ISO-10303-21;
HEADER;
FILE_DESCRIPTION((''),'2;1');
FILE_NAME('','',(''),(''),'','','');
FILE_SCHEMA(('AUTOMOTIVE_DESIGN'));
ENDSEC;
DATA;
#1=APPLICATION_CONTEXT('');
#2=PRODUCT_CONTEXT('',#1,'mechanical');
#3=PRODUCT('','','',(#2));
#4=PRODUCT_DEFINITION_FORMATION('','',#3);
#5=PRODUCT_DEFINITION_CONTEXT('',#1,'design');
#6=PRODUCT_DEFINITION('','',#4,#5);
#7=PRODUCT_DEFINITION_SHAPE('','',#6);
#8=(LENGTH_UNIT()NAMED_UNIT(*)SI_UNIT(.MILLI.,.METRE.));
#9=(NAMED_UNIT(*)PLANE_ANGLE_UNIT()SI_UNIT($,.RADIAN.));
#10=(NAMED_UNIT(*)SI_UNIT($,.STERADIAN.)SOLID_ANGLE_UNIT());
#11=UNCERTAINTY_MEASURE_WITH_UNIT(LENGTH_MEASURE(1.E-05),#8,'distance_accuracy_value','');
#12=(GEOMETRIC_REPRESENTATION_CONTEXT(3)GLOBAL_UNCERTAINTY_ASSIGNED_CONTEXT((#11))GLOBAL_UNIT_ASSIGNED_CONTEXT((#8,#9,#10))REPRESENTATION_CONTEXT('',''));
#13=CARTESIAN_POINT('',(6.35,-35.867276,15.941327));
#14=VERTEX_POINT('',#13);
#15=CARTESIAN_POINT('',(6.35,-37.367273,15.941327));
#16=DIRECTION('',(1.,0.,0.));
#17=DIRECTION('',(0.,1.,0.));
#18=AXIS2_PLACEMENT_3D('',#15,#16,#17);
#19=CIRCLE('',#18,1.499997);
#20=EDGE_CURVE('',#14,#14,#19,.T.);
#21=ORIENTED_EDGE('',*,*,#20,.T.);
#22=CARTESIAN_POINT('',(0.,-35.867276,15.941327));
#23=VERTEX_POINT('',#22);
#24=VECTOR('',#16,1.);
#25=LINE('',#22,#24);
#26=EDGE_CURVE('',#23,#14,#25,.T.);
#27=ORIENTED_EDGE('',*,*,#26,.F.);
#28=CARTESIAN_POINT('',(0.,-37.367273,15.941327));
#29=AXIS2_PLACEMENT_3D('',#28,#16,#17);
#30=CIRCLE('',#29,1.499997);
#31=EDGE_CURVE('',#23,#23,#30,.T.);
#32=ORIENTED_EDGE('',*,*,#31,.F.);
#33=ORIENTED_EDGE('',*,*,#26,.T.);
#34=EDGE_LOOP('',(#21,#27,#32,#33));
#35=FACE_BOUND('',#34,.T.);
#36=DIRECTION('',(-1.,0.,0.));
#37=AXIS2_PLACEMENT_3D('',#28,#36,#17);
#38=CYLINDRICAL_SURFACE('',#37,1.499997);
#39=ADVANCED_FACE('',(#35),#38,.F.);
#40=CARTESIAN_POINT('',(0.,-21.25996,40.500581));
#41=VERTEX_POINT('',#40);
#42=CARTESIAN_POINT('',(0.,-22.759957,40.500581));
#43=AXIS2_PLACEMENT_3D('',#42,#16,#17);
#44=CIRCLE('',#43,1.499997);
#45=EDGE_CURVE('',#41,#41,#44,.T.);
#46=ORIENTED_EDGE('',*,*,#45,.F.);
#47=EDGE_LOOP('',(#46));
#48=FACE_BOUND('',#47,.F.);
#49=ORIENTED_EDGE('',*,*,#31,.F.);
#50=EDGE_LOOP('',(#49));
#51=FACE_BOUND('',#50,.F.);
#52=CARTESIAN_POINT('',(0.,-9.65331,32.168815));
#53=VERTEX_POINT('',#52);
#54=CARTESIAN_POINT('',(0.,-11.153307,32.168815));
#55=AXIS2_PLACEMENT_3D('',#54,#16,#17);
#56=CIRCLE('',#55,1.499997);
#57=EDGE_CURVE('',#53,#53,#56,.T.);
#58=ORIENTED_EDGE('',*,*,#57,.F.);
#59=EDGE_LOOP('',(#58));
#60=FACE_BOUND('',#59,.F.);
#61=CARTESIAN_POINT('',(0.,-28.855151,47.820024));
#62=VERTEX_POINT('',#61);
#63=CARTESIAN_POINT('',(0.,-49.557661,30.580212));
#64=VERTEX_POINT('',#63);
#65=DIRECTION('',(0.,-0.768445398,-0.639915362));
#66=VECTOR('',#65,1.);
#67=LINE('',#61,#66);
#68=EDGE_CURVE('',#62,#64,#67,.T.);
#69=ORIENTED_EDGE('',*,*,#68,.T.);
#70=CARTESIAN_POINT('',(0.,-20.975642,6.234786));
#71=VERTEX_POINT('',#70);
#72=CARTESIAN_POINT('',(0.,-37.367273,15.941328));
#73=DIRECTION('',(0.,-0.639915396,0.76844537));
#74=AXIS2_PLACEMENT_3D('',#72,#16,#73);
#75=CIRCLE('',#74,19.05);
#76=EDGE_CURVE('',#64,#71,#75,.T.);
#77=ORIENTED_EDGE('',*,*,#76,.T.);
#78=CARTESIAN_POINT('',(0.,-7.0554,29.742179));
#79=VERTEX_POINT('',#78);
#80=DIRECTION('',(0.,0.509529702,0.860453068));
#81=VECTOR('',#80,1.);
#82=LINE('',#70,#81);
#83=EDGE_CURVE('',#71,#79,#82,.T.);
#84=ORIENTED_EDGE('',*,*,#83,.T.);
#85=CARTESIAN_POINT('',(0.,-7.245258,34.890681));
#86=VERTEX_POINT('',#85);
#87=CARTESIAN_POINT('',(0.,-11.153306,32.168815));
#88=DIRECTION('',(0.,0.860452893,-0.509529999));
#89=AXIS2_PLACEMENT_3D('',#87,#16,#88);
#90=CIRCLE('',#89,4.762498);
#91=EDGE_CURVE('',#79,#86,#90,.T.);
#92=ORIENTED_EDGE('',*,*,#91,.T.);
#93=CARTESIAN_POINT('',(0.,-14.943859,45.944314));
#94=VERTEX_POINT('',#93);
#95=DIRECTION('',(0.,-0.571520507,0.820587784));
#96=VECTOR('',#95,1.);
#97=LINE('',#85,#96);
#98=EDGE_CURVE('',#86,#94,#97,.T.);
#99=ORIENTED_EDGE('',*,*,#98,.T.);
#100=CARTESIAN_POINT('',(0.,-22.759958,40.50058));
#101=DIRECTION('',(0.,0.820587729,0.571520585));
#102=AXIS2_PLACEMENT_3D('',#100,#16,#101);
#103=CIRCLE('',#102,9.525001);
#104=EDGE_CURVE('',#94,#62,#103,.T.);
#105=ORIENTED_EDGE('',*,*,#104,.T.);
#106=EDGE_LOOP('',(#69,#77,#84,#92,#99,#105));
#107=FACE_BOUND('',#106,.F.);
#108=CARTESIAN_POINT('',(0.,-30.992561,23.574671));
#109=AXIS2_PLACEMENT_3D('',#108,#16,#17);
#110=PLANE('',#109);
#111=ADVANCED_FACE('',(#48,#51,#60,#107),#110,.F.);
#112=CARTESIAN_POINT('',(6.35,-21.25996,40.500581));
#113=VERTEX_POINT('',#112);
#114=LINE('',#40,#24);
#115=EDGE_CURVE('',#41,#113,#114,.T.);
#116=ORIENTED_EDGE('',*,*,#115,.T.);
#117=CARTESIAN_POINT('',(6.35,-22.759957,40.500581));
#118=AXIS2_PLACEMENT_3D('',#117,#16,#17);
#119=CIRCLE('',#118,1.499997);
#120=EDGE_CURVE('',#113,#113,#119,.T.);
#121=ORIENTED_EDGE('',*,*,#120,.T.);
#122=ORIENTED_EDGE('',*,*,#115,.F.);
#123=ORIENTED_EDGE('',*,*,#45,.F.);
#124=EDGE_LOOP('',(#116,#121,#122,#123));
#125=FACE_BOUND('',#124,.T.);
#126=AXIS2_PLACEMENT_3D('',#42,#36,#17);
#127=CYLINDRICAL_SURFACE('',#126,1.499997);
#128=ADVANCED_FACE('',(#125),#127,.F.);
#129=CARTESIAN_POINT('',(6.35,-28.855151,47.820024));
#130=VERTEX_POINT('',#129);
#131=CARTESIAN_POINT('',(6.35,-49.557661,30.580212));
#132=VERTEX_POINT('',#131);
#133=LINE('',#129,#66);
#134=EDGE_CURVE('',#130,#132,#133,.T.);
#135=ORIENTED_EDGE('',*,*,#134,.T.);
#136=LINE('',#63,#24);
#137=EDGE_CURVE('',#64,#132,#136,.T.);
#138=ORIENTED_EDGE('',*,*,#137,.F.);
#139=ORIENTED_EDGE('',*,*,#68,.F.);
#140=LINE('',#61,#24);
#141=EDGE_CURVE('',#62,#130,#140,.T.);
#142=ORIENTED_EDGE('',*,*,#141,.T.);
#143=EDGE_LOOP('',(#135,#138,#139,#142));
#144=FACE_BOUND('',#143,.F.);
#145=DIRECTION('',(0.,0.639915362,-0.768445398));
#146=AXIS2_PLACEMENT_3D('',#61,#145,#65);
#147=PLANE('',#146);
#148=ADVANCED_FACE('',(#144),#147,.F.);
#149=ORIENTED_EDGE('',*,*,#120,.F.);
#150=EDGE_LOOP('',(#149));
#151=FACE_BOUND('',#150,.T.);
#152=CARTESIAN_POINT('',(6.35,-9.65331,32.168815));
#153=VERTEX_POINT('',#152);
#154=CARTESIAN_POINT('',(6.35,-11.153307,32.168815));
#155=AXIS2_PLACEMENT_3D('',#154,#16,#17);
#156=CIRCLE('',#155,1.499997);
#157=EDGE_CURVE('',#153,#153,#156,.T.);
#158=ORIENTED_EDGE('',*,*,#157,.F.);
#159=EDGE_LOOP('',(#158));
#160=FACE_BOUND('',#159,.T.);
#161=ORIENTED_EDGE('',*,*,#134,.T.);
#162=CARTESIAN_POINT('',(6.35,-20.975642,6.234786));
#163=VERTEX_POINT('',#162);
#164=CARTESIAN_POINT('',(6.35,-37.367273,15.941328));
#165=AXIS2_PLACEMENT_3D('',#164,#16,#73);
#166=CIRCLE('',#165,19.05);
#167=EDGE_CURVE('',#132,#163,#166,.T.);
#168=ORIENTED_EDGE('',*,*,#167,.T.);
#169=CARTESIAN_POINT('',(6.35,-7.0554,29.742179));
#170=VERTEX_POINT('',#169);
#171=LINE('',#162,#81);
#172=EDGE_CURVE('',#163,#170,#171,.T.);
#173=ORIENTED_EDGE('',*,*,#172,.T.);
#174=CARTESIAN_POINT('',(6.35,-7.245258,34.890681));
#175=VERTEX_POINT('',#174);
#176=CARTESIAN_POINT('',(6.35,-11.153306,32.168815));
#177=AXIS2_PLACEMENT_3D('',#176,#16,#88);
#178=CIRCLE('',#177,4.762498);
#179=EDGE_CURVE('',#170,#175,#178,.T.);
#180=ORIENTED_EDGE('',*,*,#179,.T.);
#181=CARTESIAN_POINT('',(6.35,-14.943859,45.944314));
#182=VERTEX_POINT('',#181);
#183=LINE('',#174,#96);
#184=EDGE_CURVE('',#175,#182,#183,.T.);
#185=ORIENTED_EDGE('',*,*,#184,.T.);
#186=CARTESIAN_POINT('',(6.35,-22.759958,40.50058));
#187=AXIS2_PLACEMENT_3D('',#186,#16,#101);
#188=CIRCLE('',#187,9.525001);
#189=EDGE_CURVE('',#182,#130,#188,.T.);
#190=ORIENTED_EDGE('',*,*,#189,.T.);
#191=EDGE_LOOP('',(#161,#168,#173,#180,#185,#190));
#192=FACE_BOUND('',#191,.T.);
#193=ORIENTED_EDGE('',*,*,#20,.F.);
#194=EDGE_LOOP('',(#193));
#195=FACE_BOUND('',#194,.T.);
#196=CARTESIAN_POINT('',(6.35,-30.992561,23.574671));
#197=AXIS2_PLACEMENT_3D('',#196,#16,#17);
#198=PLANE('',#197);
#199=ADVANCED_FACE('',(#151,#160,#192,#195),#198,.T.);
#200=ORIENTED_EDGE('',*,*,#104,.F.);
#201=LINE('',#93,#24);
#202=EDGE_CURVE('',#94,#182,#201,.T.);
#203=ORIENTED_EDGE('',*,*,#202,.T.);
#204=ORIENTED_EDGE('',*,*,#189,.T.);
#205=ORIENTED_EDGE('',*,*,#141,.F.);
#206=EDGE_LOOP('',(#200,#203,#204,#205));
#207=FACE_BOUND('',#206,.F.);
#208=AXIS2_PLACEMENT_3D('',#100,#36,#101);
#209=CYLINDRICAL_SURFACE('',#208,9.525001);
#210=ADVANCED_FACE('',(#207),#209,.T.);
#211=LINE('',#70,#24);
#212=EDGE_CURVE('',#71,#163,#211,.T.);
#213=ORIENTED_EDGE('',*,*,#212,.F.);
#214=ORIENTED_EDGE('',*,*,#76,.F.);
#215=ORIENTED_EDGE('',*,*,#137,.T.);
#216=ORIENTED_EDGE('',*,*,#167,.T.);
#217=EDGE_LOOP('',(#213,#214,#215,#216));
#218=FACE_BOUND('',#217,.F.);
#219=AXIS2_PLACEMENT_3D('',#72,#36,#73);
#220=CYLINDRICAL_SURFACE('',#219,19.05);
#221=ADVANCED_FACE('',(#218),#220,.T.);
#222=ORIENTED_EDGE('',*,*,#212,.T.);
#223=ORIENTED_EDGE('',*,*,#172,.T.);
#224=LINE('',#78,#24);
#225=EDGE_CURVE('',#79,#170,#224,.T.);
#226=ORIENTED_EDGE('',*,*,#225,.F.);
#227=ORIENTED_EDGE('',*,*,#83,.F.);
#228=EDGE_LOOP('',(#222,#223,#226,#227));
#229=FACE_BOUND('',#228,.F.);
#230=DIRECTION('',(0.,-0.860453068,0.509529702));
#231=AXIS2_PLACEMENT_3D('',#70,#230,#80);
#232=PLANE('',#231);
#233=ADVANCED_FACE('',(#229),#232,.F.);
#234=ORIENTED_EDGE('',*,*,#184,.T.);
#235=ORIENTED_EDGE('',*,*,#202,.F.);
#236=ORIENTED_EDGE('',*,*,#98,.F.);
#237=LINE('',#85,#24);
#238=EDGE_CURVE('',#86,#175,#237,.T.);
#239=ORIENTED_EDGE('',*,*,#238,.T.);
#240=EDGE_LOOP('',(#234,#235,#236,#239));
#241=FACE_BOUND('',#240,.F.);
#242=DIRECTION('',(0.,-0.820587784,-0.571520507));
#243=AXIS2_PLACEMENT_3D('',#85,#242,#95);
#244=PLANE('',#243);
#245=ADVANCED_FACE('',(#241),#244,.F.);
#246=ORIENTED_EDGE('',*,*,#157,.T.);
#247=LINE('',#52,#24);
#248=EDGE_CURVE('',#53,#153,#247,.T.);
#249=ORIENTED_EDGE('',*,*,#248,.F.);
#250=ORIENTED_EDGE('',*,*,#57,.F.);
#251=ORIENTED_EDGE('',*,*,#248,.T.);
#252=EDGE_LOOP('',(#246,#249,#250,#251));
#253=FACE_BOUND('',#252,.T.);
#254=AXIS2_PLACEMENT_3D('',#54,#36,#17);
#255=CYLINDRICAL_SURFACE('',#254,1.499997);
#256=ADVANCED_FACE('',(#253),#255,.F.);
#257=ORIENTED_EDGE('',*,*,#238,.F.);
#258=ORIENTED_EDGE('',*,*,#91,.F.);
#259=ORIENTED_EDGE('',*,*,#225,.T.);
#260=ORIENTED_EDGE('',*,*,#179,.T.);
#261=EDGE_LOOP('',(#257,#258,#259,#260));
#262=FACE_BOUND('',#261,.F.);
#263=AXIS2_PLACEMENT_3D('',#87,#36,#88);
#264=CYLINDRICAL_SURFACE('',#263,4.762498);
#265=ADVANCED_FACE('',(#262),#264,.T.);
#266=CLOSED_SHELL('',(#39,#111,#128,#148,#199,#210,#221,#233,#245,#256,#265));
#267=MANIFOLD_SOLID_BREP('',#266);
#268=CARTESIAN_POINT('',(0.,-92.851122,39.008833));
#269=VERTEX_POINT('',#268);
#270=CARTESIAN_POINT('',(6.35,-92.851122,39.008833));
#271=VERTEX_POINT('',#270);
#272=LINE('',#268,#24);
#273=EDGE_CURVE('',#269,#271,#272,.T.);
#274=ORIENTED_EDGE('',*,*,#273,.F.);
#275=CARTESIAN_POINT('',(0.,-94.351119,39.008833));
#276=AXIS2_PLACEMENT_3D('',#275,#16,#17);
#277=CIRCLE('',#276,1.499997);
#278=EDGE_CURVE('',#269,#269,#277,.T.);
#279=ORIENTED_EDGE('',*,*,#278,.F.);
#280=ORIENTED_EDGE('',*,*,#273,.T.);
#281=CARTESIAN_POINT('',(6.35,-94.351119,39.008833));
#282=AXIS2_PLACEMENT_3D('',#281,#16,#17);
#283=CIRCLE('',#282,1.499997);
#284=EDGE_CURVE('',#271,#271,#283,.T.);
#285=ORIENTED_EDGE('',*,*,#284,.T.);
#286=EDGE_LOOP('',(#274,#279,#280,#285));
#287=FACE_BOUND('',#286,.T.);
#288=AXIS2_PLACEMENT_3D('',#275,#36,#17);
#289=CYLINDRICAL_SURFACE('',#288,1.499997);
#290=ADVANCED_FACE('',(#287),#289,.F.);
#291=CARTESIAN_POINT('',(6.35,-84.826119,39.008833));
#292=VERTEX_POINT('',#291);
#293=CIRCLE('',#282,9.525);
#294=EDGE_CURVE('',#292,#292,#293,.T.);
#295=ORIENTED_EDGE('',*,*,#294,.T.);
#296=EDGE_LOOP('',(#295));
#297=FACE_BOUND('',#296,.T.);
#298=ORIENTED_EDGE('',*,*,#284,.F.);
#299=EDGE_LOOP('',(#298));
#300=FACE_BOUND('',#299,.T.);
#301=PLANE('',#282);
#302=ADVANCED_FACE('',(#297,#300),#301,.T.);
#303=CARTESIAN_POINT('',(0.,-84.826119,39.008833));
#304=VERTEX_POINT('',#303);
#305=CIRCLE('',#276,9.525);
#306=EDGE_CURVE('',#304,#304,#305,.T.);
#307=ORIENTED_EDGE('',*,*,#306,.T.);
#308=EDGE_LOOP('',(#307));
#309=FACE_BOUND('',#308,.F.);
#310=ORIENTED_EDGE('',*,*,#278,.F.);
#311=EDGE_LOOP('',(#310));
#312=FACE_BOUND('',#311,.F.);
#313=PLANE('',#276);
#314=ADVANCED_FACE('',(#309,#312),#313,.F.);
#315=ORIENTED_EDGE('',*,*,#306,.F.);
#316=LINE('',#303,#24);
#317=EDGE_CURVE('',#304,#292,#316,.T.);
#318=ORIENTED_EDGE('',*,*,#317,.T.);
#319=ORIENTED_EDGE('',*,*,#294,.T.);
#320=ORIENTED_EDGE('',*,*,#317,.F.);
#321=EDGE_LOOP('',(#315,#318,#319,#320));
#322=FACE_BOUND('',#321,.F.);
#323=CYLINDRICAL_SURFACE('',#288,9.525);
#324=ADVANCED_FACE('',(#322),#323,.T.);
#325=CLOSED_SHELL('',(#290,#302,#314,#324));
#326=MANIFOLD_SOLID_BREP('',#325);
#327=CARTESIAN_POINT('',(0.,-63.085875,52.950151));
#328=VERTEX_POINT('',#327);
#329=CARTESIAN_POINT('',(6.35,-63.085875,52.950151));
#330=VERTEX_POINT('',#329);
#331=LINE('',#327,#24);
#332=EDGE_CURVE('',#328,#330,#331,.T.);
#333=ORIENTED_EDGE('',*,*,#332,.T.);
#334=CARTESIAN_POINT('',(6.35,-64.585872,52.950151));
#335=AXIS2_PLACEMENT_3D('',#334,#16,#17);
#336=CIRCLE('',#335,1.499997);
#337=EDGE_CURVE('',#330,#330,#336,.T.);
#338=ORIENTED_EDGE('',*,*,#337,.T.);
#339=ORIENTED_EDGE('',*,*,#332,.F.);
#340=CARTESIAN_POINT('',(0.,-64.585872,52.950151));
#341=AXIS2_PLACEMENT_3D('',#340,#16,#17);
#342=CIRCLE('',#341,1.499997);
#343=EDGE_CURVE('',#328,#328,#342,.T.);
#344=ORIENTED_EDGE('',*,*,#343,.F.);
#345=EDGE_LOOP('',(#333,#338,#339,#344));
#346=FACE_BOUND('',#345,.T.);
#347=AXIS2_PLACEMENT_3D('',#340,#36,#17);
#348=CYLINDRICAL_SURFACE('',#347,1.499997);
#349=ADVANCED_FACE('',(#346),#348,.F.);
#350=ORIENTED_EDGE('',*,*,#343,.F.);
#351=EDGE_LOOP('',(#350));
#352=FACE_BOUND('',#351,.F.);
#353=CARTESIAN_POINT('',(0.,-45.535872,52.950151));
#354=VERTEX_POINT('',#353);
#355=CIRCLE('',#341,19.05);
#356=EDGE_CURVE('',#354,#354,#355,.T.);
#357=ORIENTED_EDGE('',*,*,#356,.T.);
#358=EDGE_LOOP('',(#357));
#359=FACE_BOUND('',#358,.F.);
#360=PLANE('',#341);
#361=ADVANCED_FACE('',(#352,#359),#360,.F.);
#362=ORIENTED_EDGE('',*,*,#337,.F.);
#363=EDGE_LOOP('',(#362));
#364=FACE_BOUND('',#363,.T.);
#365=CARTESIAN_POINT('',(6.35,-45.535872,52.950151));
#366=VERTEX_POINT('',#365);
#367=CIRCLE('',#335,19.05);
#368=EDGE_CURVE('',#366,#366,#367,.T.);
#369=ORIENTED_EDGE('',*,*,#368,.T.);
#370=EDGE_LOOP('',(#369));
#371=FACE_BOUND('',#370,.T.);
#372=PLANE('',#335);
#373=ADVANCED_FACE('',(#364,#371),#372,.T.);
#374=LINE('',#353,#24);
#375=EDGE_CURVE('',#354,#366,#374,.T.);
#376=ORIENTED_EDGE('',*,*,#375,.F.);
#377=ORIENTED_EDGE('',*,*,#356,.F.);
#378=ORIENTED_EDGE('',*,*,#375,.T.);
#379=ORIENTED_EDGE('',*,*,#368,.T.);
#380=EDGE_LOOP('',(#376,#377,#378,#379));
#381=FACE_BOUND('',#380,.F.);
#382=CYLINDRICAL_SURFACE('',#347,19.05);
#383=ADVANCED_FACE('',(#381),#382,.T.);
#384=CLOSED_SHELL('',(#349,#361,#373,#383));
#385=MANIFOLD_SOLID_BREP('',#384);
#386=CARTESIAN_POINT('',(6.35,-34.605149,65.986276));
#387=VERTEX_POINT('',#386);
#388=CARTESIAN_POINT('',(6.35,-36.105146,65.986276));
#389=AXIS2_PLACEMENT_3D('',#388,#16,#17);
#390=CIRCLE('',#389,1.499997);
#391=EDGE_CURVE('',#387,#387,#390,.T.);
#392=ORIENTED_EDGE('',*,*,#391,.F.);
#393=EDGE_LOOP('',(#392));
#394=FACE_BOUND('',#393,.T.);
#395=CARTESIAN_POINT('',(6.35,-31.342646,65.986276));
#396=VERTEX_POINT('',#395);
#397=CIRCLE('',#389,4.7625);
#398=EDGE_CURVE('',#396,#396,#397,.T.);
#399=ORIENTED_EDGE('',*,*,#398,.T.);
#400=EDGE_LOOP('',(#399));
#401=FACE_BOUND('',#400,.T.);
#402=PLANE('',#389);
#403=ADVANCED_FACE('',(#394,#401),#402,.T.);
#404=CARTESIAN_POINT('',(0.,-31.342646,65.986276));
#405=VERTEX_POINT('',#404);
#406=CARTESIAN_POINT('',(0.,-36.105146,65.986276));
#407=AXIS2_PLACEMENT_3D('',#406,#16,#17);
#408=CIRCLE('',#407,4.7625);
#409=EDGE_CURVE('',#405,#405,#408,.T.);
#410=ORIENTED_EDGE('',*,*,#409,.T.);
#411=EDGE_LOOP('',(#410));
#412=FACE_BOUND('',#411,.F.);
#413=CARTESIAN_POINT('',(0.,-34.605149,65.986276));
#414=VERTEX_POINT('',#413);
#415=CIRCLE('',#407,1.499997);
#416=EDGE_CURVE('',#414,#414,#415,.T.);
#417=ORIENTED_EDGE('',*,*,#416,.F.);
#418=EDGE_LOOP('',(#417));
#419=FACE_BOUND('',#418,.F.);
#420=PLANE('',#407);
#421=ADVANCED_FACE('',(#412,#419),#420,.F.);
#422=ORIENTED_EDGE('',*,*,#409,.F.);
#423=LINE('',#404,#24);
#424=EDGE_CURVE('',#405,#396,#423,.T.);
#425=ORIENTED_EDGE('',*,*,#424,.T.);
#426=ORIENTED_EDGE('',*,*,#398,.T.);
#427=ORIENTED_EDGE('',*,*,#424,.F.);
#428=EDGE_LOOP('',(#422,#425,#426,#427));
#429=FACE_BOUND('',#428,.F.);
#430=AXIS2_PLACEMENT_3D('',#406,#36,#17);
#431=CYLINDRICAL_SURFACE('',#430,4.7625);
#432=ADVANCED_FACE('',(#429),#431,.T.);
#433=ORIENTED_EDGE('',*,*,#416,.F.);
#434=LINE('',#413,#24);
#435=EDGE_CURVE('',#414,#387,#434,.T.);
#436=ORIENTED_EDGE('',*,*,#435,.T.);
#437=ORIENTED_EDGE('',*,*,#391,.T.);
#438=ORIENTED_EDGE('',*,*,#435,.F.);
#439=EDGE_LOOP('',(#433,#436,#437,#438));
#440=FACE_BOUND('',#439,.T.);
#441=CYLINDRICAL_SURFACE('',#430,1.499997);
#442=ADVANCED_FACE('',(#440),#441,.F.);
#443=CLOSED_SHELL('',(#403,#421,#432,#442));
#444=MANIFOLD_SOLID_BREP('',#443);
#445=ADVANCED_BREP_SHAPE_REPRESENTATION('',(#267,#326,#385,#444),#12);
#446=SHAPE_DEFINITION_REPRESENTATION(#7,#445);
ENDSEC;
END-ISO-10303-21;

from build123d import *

# Parameters (mm, degrees)
F0_R     = 1.499997
F0_R_2   = 9.525
F0_R_3   = 19.05
F0_R_4   = 4.7625
F1_DEPTH = 6.35


with BuildPart() as f1:
    # F0 (on Right) → F1 (new body)
    with BuildSketch(Plane.YZ):
        with BuildLine():
            Line((-20.975642, 6.234786), (-7.0554, 29.742179))
            ThreePointArc((-7.0554, 29.742179), (-6.394042, 32.344319), (-7.245258, 34.890681))
            Line((-7.245258, 34.890681), (-14.943859, 45.944314))
            ThreePointArc((-14.943859, 45.944314), (-21.487185, 49.940161), (-28.855151, 47.820024))
            Line((-28.855151, 47.820024), (-49.557661, 30.580212))
            ThreePointArc((-49.557661, 30.580212), (-49.719906, 1.439088), (-20.975642, 6.234786))
        make_face()
        with Locations((-37.367273, 15.941327)):
            Circle(F0_R, mode=Mode.SUBTRACT)
        with Locations((-11.153307, 32.168815)):
            Circle(F0_R, mode=Mode.SUBTRACT)
        with Locations((-22.759957, 40.500581)):
            Circle(F0_R, mode=Mode.SUBTRACT)
        with Locations((-94.351119, 39.008833)):
            Circle(F0_R_2)
        with Locations((-94.351119, 39.008833)):
            Circle(F0_R, mode=Mode.SUBTRACT)
        with Locations((-64.585872, 52.950151)):
            Circle(F0_R_3)
        with Locations((-64.585872, 52.950151)):
            Circle(F0_R, mode=Mode.SUBTRACT)
        with Locations((-36.105146, 65.986276)):
            Circle(F0_R_4)
        with Locations((-36.105146, 65.986276)):
            Circle(F0_R, mode=Mode.SUBTRACT)
    extrude(amount=F1_DEPTH)


solid = f1.part
